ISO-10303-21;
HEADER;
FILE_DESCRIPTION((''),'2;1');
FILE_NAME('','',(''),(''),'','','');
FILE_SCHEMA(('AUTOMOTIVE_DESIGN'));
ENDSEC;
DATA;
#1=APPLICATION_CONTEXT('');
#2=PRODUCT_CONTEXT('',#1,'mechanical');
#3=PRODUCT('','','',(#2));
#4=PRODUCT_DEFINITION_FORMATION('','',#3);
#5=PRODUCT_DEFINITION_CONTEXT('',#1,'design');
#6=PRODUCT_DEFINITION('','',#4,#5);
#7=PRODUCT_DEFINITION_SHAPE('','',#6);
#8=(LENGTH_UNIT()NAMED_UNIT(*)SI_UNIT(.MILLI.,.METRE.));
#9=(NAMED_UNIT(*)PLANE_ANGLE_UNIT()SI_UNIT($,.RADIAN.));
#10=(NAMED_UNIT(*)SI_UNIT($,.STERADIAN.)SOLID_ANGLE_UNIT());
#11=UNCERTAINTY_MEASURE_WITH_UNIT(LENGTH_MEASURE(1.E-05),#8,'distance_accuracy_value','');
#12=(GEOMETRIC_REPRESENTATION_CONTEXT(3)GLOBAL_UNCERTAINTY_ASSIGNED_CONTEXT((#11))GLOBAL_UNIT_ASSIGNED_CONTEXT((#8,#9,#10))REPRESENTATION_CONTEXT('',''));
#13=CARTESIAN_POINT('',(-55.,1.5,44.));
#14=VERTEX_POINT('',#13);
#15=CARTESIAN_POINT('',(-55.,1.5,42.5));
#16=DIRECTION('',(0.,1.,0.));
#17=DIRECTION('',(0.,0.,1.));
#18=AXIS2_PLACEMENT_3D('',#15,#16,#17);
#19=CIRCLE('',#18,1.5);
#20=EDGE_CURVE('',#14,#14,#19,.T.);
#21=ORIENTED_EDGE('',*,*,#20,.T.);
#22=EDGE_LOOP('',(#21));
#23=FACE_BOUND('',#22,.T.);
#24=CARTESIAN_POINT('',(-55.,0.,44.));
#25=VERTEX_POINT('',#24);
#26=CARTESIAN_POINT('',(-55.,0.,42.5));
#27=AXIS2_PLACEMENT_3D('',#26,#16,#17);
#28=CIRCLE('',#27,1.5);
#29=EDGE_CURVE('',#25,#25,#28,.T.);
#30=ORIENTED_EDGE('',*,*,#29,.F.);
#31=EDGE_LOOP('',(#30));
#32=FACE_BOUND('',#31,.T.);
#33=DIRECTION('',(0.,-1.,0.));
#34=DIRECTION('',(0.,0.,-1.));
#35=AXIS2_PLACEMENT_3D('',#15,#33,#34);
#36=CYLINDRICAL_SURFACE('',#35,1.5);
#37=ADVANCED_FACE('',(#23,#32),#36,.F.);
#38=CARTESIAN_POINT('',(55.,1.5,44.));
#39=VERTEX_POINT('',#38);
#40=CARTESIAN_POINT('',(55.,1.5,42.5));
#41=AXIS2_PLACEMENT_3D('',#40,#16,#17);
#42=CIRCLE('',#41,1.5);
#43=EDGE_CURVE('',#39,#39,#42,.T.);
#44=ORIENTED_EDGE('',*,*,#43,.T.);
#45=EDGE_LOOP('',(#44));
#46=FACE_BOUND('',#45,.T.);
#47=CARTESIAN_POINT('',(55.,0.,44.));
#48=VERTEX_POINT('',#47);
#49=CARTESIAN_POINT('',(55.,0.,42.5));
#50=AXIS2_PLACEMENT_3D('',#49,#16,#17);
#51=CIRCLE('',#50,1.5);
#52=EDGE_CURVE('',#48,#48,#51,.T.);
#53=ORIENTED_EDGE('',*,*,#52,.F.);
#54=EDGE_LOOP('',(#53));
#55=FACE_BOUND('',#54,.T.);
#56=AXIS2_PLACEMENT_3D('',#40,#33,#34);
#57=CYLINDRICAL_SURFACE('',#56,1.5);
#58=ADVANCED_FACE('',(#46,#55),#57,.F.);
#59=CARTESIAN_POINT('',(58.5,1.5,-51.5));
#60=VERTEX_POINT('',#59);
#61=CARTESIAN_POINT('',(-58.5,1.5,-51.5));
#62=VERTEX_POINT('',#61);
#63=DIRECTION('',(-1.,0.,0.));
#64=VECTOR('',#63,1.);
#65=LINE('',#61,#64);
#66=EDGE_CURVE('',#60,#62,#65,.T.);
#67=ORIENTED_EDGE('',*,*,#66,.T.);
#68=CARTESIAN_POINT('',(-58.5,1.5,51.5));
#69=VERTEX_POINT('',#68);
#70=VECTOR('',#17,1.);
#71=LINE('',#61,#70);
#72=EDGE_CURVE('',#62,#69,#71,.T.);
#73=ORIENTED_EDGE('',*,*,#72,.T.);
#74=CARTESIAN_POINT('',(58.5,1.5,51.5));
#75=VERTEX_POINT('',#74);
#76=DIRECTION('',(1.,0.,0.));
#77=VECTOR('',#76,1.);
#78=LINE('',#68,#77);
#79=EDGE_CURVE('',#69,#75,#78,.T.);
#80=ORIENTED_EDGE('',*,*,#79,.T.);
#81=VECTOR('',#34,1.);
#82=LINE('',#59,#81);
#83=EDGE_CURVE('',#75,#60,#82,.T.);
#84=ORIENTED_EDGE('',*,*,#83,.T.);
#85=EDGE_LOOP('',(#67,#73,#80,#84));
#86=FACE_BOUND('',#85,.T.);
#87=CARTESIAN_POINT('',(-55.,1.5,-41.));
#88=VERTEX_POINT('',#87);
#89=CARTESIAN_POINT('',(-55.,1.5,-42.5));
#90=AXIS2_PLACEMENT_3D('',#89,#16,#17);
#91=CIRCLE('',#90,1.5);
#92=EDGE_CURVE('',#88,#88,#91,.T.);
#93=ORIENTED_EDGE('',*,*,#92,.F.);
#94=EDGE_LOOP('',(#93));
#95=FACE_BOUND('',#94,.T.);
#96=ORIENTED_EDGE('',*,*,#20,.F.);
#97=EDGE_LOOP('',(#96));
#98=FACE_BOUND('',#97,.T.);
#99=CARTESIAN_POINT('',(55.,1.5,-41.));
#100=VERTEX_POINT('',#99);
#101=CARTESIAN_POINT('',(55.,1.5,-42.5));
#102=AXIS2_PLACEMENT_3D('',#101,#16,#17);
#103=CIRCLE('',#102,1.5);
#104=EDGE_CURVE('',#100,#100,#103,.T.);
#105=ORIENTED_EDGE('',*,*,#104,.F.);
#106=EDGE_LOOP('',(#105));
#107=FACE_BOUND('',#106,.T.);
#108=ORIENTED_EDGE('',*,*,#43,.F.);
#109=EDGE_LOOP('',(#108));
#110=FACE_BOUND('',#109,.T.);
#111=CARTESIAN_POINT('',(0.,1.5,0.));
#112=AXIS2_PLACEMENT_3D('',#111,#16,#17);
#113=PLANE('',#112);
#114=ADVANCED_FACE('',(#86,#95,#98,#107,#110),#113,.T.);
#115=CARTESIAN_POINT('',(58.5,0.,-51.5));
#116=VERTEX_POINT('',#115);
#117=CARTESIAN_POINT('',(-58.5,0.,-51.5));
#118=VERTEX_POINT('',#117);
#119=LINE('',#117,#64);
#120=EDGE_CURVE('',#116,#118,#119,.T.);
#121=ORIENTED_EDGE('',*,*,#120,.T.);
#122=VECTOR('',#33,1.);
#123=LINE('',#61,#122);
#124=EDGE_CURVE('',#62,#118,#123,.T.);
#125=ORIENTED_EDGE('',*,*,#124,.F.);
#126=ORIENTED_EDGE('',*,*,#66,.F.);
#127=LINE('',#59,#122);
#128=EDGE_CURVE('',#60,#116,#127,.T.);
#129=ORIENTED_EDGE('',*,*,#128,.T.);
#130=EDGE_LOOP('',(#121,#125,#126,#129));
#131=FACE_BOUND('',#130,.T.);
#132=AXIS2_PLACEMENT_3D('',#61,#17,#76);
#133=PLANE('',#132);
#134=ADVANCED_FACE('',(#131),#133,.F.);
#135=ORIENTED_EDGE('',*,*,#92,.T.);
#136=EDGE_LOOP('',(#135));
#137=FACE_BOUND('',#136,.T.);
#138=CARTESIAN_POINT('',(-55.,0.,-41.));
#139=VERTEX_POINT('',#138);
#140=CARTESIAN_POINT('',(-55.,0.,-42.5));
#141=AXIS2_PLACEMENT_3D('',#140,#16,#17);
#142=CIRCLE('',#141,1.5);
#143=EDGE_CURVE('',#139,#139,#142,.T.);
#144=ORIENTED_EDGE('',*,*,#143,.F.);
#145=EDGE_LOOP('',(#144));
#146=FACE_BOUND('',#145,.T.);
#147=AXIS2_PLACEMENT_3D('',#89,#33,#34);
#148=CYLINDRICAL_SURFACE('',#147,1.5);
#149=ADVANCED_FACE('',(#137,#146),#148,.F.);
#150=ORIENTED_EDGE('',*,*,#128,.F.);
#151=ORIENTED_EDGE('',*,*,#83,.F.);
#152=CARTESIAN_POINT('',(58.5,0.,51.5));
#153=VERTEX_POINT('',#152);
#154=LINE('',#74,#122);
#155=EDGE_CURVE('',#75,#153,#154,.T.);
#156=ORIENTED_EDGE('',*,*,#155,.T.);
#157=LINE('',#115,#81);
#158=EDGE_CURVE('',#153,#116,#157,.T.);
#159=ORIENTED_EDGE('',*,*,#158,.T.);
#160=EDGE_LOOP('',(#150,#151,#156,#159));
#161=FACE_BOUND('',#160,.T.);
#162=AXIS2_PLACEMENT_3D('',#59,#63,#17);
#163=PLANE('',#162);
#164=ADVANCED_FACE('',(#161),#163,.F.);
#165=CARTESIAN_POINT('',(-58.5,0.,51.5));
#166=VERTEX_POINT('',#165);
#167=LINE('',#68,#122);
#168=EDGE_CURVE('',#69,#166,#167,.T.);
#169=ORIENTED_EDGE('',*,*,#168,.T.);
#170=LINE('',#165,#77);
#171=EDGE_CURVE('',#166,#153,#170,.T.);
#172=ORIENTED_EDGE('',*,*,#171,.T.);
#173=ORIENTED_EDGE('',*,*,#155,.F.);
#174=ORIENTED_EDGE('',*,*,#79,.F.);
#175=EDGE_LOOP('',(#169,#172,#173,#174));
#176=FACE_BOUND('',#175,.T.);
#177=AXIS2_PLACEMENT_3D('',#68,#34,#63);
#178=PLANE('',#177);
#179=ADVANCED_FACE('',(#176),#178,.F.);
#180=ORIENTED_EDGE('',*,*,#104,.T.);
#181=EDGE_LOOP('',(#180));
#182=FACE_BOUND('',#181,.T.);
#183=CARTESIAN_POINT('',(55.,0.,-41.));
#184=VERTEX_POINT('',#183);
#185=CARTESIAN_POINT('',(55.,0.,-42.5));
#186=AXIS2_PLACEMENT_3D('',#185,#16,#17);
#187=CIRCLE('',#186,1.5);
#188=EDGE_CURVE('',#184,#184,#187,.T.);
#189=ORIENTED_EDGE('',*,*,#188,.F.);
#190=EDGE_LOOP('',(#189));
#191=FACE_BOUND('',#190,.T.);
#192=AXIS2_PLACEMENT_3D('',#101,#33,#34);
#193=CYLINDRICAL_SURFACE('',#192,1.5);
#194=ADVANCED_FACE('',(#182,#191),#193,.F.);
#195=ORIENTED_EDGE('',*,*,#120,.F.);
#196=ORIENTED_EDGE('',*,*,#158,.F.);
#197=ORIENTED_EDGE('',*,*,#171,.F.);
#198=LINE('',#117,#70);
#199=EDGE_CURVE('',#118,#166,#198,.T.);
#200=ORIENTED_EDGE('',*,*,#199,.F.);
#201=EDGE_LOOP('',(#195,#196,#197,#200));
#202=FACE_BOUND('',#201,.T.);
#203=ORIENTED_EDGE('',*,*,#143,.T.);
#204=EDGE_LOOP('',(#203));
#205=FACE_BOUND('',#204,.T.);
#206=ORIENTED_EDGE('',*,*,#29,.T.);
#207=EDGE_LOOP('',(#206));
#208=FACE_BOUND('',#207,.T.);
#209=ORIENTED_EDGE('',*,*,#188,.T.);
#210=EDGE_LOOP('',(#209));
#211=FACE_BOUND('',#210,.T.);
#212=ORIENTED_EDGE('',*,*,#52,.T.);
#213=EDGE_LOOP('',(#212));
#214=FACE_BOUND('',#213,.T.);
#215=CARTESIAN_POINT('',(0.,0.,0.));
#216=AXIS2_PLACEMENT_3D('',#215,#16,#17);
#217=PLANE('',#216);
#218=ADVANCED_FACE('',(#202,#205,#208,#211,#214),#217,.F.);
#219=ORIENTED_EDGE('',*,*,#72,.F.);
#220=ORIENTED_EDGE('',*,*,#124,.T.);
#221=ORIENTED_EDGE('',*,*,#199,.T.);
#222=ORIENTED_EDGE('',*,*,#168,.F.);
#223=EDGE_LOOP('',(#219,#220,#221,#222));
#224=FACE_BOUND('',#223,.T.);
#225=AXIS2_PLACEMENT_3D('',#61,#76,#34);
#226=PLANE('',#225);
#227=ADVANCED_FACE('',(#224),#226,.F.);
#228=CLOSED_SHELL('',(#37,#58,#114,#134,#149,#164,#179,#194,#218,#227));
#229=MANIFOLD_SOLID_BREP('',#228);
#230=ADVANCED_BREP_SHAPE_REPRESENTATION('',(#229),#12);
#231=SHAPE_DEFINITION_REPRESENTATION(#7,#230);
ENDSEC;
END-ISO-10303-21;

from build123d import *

# Parameters (mm, degrees)
SKETCH_1_W      = 117
SKETCH_1_H      = 103
SKETCH_1_R      = 1.5
EXTRUDE_1_DEPTH = 1.5


with BuildPart() as part:
    # Эскиз1 → Бобышка-Вытянуть1 (new body)
    with BuildSketch(Plane(origin=(0, 0, 0), x_dir=(1, 0, 0), z_dir=(0, 1, 0))):
        Rectangle(SKETCH_1_W, SKETCH_1_H)
        with Locations(Location((-55, 42.5, 0), (0, 0, 270))):
            Circle(SKETCH_1_R, mode=Mode.SUBTRACT)
        with Locations(Location((55, 42.5, 0), (0, 0, 270))):
            Circle(SKETCH_1_R, mode=Mode.SUBTRACT)
        with Locations(Location((55, -42.5, 0), (0, 0, 270))):
            Circle(SKETCH_1_R, mode=Mode.SUBTRACT)
        with Locations(Location((-55, -42.5, 0), (0, 0, 270))):
            Circle(SKETCH_1_R, mode=Mode.SUBTRACT)
    extrude(amount=EXTRUDE_1_DEPTH)


solid = part.part
